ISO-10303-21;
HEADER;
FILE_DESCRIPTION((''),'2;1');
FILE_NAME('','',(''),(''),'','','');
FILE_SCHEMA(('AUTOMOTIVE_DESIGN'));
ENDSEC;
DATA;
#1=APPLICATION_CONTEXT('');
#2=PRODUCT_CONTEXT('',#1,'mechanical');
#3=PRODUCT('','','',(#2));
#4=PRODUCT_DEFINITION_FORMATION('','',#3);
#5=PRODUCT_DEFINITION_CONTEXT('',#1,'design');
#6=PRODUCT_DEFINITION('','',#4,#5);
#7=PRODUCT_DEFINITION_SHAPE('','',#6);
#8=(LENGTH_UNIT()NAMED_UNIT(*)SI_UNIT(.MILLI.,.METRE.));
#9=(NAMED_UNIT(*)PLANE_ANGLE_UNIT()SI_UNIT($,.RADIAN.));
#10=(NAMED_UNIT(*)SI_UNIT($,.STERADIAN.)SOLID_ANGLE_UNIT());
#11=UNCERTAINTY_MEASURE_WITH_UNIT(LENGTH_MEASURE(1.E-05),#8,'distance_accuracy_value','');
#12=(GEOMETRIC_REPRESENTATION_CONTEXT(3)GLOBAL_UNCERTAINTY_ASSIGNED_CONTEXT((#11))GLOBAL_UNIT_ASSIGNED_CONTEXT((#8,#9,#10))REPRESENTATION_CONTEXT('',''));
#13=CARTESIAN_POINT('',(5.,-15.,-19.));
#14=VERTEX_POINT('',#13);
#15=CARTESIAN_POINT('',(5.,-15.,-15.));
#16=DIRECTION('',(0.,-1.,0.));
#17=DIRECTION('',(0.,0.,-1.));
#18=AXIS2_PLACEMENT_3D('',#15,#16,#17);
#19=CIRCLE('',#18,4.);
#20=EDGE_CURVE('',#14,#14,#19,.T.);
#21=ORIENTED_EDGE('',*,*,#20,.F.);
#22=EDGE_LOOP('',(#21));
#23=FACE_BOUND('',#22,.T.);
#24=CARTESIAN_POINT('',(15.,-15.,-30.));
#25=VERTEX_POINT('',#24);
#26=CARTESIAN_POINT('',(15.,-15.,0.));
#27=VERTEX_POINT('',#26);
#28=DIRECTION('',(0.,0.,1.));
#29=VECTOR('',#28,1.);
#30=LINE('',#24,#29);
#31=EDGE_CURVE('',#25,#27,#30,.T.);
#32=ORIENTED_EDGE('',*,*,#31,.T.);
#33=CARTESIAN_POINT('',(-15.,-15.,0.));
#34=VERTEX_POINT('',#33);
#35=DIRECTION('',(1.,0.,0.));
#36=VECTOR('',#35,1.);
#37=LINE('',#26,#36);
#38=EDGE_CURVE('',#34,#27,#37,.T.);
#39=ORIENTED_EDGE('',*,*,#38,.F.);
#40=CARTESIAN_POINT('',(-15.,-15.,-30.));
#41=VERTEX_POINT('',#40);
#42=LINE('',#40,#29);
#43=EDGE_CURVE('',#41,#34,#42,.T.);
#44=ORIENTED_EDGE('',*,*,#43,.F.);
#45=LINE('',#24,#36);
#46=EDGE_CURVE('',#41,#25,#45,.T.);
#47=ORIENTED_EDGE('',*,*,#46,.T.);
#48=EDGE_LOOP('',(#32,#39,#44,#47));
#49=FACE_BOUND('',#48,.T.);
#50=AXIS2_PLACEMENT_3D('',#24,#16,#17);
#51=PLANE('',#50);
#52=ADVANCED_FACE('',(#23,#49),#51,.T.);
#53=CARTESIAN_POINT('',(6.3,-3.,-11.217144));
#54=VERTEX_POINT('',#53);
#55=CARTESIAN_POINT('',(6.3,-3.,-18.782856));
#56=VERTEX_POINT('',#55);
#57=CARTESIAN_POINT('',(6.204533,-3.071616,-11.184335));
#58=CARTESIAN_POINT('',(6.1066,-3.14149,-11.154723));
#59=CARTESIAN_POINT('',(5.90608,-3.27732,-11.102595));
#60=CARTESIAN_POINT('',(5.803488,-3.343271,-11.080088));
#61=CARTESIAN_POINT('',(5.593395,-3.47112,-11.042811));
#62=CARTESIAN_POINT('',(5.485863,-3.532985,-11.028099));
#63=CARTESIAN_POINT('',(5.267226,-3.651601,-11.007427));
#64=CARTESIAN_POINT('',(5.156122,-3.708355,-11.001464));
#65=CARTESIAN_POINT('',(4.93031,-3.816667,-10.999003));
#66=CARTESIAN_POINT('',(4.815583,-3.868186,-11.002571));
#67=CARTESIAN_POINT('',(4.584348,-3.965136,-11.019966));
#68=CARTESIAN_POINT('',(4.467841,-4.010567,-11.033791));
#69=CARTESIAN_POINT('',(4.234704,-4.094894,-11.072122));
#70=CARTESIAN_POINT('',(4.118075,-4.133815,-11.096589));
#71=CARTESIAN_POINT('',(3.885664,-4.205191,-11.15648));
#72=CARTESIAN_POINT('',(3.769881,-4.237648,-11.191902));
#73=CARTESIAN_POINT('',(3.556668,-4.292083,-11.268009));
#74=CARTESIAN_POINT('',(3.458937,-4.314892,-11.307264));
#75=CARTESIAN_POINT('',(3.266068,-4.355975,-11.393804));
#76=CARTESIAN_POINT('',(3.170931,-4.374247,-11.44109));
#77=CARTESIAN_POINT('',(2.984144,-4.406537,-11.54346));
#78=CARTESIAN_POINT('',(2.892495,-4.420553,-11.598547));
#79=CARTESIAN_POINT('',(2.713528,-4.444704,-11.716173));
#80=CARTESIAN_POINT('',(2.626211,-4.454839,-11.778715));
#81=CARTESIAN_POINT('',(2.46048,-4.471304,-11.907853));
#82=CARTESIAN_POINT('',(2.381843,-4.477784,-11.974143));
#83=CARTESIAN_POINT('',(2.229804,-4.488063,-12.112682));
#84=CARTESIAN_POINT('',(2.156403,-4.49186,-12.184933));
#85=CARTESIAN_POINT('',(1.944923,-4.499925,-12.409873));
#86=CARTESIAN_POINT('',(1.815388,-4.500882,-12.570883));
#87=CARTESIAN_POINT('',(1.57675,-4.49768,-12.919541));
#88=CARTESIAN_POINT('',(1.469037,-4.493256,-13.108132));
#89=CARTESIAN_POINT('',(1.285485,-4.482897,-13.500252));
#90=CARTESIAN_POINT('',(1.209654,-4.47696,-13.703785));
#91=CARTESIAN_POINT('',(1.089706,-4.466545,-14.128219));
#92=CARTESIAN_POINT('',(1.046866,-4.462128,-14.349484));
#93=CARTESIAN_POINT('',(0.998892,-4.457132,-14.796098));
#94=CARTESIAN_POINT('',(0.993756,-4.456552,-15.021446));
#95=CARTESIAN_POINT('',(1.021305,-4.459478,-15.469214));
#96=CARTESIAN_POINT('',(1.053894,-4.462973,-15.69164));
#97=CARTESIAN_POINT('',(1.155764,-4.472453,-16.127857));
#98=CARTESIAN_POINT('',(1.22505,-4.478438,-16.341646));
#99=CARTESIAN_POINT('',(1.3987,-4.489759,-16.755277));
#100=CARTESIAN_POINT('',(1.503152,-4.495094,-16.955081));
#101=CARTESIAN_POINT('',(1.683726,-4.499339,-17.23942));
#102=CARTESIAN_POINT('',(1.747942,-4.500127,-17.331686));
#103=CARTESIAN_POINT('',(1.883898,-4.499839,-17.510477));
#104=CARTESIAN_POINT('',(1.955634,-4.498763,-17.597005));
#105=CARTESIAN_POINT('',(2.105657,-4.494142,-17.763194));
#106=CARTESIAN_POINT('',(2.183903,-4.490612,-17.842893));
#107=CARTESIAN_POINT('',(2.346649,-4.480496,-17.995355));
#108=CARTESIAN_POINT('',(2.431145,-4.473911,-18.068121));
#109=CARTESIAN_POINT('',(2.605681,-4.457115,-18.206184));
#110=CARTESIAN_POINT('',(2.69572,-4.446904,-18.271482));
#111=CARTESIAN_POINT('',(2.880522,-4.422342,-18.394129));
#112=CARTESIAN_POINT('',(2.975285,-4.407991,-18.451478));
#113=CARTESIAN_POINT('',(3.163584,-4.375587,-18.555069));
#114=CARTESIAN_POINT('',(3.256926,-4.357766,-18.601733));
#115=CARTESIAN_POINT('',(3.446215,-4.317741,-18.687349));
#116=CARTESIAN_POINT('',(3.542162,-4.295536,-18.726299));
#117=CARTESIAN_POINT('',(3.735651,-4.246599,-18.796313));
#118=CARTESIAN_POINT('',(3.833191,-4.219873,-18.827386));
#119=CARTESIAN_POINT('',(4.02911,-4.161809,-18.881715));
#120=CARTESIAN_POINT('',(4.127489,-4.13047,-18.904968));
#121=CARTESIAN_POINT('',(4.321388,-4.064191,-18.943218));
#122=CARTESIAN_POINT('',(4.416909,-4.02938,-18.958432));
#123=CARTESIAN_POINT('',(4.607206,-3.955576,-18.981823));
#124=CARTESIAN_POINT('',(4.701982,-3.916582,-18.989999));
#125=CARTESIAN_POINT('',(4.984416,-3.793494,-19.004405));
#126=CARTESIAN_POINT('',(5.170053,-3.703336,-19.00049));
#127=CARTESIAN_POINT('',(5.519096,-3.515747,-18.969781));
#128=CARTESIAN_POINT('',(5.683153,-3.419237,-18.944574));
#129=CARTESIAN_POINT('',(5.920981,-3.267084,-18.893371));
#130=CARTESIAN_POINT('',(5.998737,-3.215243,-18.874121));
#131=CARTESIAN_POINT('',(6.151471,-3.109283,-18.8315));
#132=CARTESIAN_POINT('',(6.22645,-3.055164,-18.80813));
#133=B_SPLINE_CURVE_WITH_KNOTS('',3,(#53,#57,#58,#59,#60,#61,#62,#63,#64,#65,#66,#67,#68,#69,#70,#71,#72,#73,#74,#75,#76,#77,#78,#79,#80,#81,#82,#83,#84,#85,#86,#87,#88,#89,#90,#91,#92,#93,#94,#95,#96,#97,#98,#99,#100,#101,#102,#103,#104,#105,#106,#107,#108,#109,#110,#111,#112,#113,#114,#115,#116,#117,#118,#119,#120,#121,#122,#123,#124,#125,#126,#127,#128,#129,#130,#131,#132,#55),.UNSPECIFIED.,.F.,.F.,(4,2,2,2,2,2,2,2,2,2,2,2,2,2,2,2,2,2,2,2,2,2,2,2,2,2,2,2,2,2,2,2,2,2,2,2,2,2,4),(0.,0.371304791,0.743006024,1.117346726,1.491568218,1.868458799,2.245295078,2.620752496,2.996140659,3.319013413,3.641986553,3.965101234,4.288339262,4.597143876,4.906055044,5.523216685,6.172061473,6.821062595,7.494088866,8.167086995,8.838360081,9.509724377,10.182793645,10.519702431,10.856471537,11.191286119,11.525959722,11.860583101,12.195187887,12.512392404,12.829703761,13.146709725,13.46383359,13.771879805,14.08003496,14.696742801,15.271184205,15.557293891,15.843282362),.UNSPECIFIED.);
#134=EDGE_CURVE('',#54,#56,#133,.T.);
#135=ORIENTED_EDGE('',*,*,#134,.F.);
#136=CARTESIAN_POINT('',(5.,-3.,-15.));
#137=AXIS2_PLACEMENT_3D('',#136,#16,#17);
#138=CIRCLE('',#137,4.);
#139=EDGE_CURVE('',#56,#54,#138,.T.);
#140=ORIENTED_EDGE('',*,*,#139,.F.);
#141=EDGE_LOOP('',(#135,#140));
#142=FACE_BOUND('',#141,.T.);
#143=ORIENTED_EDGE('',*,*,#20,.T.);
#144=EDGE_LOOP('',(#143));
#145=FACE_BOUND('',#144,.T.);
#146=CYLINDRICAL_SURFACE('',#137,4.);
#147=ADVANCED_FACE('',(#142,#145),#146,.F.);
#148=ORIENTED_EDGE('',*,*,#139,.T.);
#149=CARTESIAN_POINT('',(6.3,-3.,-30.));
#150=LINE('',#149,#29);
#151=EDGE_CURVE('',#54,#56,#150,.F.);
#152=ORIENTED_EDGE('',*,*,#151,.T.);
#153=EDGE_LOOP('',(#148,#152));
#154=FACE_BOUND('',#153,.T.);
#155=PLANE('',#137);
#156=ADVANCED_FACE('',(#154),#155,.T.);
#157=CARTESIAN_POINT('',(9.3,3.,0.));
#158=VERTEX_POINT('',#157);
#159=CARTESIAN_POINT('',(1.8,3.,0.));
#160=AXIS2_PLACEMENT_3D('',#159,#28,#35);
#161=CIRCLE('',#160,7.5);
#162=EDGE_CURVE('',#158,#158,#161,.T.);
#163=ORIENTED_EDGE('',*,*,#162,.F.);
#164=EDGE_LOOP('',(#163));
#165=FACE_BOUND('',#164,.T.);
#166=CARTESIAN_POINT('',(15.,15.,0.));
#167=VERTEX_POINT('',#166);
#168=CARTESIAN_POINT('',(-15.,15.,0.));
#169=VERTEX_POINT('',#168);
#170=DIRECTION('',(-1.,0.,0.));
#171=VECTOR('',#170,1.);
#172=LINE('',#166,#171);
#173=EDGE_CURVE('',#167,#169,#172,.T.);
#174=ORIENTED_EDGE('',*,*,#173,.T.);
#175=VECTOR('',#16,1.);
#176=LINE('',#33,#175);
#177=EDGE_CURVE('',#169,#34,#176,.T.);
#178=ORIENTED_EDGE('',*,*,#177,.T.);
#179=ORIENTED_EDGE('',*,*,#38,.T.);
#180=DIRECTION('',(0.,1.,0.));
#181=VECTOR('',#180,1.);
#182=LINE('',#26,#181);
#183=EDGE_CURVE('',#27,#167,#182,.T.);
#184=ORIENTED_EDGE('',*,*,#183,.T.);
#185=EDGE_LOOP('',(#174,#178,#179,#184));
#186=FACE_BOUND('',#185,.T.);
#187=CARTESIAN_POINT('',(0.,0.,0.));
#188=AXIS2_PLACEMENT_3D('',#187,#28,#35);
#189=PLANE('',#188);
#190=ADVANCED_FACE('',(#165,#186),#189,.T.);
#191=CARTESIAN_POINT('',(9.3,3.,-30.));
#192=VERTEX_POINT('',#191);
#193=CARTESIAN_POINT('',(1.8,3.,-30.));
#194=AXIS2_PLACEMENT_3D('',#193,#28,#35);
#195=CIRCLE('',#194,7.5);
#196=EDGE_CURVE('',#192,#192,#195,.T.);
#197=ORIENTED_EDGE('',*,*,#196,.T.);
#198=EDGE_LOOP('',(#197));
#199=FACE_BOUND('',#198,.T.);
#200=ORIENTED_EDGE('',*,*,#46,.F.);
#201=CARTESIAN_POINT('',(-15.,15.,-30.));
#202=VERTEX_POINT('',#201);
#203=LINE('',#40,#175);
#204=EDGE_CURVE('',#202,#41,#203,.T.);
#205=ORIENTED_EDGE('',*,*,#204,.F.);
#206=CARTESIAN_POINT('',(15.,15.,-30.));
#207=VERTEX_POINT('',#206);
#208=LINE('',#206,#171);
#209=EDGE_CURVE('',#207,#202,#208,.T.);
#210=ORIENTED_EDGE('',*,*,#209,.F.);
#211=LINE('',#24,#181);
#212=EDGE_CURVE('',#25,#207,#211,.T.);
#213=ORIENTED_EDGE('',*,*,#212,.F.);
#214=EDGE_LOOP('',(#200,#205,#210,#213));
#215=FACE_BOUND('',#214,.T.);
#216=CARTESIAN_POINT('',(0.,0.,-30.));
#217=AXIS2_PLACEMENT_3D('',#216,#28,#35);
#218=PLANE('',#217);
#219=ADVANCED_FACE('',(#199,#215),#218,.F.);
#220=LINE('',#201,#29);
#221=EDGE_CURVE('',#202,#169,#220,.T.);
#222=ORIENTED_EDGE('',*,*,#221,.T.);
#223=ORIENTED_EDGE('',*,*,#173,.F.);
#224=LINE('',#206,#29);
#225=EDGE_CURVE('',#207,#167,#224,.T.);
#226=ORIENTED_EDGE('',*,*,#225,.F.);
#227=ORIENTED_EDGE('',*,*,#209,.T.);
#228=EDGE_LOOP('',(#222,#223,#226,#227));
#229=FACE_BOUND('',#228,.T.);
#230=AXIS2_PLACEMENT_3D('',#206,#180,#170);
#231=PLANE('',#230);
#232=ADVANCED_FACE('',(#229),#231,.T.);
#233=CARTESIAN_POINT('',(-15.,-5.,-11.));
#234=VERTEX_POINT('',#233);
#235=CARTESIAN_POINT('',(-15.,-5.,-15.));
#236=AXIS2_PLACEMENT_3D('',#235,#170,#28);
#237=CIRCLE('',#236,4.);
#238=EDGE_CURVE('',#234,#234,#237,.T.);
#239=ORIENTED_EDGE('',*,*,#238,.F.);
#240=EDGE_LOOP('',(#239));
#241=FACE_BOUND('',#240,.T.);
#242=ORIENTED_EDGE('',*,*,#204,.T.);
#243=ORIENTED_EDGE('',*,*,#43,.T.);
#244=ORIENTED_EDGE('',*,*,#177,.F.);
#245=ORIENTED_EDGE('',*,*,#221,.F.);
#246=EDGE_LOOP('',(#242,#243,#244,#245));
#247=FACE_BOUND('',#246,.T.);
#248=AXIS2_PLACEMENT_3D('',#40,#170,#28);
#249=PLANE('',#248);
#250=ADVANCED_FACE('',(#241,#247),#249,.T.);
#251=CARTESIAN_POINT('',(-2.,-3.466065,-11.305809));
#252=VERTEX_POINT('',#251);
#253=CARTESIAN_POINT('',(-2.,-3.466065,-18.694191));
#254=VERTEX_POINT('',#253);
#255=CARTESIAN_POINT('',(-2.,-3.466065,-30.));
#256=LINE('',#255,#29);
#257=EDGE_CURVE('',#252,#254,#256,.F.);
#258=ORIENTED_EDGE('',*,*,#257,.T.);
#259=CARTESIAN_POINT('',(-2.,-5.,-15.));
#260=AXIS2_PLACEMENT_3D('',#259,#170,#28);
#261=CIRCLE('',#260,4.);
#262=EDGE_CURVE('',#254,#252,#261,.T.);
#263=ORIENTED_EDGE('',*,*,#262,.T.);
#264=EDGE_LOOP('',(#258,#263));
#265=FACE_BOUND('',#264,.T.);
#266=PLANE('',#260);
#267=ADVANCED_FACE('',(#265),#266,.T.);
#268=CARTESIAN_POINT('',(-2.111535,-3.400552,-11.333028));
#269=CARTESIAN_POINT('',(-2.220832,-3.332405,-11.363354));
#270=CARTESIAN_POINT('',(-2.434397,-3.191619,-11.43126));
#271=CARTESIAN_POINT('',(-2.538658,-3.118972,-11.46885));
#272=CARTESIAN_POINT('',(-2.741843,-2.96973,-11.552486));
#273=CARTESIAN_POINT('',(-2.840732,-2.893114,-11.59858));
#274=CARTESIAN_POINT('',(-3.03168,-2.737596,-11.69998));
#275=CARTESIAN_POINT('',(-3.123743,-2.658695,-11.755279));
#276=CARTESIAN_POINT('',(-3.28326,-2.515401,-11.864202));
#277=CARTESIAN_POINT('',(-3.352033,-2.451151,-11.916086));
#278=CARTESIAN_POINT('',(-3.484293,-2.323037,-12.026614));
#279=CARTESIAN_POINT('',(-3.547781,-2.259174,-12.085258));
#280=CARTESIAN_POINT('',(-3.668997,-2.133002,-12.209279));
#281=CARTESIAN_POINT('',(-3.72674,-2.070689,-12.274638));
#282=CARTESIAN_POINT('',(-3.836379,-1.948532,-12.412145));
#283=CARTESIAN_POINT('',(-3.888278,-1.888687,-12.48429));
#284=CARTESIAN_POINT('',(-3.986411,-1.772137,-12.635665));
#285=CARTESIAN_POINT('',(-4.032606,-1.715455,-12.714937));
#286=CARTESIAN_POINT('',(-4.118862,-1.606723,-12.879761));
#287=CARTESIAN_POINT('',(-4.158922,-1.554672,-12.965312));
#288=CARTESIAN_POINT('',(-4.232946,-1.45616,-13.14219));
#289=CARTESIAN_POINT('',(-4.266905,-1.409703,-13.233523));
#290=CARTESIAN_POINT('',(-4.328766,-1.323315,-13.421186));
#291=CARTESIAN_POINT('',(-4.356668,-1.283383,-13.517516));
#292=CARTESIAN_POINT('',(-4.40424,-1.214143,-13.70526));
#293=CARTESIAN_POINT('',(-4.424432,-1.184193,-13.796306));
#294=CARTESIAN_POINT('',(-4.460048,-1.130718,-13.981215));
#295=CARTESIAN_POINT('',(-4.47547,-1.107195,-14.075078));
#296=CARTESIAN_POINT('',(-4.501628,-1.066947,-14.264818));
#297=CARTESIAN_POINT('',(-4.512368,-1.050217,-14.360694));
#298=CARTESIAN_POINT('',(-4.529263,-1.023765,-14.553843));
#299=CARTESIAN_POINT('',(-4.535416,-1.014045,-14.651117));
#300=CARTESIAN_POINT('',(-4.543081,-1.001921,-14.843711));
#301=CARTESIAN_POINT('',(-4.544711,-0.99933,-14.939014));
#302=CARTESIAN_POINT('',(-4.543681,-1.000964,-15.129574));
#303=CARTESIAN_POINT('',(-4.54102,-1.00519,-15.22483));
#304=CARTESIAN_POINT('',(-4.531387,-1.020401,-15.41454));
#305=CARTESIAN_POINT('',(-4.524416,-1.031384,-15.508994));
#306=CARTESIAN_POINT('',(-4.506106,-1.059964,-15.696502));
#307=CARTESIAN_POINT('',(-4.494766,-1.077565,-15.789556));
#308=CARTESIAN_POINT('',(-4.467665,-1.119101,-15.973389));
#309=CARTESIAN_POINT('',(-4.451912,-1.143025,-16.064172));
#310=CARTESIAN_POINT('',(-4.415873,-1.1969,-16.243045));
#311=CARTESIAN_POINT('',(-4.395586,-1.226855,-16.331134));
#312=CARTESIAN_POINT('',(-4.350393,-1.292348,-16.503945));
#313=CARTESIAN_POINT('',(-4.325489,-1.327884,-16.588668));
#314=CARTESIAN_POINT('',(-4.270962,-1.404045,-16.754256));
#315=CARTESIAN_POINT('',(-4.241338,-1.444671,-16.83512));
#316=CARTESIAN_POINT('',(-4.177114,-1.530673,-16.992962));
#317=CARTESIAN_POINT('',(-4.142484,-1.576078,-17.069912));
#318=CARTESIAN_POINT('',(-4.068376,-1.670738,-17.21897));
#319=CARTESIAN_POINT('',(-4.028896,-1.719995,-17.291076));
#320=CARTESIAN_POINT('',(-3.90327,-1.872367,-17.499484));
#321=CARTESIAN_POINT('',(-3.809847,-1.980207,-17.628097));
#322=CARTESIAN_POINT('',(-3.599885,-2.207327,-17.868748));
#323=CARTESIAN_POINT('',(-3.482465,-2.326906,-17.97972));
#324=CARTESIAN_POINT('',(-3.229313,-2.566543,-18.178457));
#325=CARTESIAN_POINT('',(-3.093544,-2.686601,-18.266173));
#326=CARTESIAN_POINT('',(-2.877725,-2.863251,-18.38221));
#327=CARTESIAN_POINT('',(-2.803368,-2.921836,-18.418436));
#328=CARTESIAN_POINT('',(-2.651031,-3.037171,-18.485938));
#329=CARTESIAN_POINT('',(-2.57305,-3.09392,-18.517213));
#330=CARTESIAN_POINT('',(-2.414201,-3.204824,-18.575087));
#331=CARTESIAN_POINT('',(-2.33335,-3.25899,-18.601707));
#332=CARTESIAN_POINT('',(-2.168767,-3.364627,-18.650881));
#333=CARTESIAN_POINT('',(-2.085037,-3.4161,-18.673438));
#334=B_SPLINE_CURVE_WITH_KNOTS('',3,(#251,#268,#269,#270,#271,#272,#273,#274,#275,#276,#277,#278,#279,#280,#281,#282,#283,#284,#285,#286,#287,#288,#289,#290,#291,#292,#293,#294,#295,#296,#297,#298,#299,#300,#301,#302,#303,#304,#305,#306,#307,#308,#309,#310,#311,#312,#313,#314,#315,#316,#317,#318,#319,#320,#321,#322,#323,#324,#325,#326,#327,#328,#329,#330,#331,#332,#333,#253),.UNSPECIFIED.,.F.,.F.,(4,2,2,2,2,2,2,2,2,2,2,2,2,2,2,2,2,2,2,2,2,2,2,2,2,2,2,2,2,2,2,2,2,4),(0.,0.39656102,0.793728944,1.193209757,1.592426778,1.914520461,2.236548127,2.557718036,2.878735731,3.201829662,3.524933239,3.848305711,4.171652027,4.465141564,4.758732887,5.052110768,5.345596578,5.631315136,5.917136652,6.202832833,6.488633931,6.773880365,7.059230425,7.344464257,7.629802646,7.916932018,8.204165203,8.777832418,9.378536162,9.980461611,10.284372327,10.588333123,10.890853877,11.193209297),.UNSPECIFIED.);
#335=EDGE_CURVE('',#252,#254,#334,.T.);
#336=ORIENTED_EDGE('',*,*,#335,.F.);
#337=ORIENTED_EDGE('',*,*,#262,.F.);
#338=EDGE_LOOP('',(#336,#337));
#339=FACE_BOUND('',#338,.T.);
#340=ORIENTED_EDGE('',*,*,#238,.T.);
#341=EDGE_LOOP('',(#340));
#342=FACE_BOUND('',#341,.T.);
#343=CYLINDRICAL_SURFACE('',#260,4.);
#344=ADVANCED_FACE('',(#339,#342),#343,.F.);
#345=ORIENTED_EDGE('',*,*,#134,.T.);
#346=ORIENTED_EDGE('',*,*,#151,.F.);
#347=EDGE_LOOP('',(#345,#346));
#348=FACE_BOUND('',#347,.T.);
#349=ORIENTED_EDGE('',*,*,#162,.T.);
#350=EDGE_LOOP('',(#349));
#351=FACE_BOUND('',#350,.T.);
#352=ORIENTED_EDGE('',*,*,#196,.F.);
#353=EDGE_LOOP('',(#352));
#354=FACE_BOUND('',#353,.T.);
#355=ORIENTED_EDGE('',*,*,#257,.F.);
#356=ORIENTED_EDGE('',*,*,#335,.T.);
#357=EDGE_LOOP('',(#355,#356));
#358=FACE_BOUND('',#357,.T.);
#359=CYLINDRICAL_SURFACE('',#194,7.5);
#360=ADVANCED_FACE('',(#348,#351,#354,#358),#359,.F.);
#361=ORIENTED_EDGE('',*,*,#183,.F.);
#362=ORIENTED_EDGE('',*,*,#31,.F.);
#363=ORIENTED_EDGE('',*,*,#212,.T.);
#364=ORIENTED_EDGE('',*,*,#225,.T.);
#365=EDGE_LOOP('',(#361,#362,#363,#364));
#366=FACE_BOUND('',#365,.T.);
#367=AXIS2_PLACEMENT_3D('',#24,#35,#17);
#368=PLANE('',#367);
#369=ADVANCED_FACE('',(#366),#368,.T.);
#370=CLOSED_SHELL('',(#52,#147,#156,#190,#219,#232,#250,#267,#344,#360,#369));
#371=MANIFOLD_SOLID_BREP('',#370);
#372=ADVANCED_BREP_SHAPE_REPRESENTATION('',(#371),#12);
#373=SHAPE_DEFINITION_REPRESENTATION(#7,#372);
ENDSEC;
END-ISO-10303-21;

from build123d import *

# Parameters (mm, degrees)
SCHIZZO2_W                   = 30
SCHIZZO2_H                   = 30
SCHIZZO2_R                   = 7.5
ESTRUSIONE_ESTRUSIONE1_DEPTH = 30
SCHIZZO3_R                   = 4
TAGLIO_ESTRUSIONE1_DEPTH     = 13
SCHIZZO5_R                   = 4
TAGLIO_ESTRUSIONE2_DEPTH     = 12


with BuildPart() as part:
    # Schizzo2 → Estrusione-Estrusione1 (new body)
    with BuildSketch(Plane.XY):
        Rectangle(SCHIZZO2_W, SCHIZZO2_H)
        with Locations((1.8, 3)):
            Circle(SCHIZZO2_R, mode=Mode.SUBTRACT)
    extrude(amount=-ESTRUSIONE_ESTRUSIONE1_DEPTH)

    # Schizzo3 → Taglio-Estrusione1 (cut)
    with BuildSketch(Plane.ZY.offset(15)):
        with Locations((-15, -5)):
            Circle(SCHIZZO3_R)
    extrude(amount=-TAGLIO_ESTRUSIONE1_DEPTH, mode=Mode.SUBTRACT)

    # Schizzo5 → Taglio-Estrusione2 (cut)
    with BuildSketch(Plane.XZ.offset(15)):
        with Locations(Location((5, -15, 0), (0, 0, 270))):
            Circle(SCHIZZO5_R)
    extrude(amount=-TAGLIO_ESTRUSIONE2_DEPTH, mode=Mode.SUBTRACT)


solid = part.part
